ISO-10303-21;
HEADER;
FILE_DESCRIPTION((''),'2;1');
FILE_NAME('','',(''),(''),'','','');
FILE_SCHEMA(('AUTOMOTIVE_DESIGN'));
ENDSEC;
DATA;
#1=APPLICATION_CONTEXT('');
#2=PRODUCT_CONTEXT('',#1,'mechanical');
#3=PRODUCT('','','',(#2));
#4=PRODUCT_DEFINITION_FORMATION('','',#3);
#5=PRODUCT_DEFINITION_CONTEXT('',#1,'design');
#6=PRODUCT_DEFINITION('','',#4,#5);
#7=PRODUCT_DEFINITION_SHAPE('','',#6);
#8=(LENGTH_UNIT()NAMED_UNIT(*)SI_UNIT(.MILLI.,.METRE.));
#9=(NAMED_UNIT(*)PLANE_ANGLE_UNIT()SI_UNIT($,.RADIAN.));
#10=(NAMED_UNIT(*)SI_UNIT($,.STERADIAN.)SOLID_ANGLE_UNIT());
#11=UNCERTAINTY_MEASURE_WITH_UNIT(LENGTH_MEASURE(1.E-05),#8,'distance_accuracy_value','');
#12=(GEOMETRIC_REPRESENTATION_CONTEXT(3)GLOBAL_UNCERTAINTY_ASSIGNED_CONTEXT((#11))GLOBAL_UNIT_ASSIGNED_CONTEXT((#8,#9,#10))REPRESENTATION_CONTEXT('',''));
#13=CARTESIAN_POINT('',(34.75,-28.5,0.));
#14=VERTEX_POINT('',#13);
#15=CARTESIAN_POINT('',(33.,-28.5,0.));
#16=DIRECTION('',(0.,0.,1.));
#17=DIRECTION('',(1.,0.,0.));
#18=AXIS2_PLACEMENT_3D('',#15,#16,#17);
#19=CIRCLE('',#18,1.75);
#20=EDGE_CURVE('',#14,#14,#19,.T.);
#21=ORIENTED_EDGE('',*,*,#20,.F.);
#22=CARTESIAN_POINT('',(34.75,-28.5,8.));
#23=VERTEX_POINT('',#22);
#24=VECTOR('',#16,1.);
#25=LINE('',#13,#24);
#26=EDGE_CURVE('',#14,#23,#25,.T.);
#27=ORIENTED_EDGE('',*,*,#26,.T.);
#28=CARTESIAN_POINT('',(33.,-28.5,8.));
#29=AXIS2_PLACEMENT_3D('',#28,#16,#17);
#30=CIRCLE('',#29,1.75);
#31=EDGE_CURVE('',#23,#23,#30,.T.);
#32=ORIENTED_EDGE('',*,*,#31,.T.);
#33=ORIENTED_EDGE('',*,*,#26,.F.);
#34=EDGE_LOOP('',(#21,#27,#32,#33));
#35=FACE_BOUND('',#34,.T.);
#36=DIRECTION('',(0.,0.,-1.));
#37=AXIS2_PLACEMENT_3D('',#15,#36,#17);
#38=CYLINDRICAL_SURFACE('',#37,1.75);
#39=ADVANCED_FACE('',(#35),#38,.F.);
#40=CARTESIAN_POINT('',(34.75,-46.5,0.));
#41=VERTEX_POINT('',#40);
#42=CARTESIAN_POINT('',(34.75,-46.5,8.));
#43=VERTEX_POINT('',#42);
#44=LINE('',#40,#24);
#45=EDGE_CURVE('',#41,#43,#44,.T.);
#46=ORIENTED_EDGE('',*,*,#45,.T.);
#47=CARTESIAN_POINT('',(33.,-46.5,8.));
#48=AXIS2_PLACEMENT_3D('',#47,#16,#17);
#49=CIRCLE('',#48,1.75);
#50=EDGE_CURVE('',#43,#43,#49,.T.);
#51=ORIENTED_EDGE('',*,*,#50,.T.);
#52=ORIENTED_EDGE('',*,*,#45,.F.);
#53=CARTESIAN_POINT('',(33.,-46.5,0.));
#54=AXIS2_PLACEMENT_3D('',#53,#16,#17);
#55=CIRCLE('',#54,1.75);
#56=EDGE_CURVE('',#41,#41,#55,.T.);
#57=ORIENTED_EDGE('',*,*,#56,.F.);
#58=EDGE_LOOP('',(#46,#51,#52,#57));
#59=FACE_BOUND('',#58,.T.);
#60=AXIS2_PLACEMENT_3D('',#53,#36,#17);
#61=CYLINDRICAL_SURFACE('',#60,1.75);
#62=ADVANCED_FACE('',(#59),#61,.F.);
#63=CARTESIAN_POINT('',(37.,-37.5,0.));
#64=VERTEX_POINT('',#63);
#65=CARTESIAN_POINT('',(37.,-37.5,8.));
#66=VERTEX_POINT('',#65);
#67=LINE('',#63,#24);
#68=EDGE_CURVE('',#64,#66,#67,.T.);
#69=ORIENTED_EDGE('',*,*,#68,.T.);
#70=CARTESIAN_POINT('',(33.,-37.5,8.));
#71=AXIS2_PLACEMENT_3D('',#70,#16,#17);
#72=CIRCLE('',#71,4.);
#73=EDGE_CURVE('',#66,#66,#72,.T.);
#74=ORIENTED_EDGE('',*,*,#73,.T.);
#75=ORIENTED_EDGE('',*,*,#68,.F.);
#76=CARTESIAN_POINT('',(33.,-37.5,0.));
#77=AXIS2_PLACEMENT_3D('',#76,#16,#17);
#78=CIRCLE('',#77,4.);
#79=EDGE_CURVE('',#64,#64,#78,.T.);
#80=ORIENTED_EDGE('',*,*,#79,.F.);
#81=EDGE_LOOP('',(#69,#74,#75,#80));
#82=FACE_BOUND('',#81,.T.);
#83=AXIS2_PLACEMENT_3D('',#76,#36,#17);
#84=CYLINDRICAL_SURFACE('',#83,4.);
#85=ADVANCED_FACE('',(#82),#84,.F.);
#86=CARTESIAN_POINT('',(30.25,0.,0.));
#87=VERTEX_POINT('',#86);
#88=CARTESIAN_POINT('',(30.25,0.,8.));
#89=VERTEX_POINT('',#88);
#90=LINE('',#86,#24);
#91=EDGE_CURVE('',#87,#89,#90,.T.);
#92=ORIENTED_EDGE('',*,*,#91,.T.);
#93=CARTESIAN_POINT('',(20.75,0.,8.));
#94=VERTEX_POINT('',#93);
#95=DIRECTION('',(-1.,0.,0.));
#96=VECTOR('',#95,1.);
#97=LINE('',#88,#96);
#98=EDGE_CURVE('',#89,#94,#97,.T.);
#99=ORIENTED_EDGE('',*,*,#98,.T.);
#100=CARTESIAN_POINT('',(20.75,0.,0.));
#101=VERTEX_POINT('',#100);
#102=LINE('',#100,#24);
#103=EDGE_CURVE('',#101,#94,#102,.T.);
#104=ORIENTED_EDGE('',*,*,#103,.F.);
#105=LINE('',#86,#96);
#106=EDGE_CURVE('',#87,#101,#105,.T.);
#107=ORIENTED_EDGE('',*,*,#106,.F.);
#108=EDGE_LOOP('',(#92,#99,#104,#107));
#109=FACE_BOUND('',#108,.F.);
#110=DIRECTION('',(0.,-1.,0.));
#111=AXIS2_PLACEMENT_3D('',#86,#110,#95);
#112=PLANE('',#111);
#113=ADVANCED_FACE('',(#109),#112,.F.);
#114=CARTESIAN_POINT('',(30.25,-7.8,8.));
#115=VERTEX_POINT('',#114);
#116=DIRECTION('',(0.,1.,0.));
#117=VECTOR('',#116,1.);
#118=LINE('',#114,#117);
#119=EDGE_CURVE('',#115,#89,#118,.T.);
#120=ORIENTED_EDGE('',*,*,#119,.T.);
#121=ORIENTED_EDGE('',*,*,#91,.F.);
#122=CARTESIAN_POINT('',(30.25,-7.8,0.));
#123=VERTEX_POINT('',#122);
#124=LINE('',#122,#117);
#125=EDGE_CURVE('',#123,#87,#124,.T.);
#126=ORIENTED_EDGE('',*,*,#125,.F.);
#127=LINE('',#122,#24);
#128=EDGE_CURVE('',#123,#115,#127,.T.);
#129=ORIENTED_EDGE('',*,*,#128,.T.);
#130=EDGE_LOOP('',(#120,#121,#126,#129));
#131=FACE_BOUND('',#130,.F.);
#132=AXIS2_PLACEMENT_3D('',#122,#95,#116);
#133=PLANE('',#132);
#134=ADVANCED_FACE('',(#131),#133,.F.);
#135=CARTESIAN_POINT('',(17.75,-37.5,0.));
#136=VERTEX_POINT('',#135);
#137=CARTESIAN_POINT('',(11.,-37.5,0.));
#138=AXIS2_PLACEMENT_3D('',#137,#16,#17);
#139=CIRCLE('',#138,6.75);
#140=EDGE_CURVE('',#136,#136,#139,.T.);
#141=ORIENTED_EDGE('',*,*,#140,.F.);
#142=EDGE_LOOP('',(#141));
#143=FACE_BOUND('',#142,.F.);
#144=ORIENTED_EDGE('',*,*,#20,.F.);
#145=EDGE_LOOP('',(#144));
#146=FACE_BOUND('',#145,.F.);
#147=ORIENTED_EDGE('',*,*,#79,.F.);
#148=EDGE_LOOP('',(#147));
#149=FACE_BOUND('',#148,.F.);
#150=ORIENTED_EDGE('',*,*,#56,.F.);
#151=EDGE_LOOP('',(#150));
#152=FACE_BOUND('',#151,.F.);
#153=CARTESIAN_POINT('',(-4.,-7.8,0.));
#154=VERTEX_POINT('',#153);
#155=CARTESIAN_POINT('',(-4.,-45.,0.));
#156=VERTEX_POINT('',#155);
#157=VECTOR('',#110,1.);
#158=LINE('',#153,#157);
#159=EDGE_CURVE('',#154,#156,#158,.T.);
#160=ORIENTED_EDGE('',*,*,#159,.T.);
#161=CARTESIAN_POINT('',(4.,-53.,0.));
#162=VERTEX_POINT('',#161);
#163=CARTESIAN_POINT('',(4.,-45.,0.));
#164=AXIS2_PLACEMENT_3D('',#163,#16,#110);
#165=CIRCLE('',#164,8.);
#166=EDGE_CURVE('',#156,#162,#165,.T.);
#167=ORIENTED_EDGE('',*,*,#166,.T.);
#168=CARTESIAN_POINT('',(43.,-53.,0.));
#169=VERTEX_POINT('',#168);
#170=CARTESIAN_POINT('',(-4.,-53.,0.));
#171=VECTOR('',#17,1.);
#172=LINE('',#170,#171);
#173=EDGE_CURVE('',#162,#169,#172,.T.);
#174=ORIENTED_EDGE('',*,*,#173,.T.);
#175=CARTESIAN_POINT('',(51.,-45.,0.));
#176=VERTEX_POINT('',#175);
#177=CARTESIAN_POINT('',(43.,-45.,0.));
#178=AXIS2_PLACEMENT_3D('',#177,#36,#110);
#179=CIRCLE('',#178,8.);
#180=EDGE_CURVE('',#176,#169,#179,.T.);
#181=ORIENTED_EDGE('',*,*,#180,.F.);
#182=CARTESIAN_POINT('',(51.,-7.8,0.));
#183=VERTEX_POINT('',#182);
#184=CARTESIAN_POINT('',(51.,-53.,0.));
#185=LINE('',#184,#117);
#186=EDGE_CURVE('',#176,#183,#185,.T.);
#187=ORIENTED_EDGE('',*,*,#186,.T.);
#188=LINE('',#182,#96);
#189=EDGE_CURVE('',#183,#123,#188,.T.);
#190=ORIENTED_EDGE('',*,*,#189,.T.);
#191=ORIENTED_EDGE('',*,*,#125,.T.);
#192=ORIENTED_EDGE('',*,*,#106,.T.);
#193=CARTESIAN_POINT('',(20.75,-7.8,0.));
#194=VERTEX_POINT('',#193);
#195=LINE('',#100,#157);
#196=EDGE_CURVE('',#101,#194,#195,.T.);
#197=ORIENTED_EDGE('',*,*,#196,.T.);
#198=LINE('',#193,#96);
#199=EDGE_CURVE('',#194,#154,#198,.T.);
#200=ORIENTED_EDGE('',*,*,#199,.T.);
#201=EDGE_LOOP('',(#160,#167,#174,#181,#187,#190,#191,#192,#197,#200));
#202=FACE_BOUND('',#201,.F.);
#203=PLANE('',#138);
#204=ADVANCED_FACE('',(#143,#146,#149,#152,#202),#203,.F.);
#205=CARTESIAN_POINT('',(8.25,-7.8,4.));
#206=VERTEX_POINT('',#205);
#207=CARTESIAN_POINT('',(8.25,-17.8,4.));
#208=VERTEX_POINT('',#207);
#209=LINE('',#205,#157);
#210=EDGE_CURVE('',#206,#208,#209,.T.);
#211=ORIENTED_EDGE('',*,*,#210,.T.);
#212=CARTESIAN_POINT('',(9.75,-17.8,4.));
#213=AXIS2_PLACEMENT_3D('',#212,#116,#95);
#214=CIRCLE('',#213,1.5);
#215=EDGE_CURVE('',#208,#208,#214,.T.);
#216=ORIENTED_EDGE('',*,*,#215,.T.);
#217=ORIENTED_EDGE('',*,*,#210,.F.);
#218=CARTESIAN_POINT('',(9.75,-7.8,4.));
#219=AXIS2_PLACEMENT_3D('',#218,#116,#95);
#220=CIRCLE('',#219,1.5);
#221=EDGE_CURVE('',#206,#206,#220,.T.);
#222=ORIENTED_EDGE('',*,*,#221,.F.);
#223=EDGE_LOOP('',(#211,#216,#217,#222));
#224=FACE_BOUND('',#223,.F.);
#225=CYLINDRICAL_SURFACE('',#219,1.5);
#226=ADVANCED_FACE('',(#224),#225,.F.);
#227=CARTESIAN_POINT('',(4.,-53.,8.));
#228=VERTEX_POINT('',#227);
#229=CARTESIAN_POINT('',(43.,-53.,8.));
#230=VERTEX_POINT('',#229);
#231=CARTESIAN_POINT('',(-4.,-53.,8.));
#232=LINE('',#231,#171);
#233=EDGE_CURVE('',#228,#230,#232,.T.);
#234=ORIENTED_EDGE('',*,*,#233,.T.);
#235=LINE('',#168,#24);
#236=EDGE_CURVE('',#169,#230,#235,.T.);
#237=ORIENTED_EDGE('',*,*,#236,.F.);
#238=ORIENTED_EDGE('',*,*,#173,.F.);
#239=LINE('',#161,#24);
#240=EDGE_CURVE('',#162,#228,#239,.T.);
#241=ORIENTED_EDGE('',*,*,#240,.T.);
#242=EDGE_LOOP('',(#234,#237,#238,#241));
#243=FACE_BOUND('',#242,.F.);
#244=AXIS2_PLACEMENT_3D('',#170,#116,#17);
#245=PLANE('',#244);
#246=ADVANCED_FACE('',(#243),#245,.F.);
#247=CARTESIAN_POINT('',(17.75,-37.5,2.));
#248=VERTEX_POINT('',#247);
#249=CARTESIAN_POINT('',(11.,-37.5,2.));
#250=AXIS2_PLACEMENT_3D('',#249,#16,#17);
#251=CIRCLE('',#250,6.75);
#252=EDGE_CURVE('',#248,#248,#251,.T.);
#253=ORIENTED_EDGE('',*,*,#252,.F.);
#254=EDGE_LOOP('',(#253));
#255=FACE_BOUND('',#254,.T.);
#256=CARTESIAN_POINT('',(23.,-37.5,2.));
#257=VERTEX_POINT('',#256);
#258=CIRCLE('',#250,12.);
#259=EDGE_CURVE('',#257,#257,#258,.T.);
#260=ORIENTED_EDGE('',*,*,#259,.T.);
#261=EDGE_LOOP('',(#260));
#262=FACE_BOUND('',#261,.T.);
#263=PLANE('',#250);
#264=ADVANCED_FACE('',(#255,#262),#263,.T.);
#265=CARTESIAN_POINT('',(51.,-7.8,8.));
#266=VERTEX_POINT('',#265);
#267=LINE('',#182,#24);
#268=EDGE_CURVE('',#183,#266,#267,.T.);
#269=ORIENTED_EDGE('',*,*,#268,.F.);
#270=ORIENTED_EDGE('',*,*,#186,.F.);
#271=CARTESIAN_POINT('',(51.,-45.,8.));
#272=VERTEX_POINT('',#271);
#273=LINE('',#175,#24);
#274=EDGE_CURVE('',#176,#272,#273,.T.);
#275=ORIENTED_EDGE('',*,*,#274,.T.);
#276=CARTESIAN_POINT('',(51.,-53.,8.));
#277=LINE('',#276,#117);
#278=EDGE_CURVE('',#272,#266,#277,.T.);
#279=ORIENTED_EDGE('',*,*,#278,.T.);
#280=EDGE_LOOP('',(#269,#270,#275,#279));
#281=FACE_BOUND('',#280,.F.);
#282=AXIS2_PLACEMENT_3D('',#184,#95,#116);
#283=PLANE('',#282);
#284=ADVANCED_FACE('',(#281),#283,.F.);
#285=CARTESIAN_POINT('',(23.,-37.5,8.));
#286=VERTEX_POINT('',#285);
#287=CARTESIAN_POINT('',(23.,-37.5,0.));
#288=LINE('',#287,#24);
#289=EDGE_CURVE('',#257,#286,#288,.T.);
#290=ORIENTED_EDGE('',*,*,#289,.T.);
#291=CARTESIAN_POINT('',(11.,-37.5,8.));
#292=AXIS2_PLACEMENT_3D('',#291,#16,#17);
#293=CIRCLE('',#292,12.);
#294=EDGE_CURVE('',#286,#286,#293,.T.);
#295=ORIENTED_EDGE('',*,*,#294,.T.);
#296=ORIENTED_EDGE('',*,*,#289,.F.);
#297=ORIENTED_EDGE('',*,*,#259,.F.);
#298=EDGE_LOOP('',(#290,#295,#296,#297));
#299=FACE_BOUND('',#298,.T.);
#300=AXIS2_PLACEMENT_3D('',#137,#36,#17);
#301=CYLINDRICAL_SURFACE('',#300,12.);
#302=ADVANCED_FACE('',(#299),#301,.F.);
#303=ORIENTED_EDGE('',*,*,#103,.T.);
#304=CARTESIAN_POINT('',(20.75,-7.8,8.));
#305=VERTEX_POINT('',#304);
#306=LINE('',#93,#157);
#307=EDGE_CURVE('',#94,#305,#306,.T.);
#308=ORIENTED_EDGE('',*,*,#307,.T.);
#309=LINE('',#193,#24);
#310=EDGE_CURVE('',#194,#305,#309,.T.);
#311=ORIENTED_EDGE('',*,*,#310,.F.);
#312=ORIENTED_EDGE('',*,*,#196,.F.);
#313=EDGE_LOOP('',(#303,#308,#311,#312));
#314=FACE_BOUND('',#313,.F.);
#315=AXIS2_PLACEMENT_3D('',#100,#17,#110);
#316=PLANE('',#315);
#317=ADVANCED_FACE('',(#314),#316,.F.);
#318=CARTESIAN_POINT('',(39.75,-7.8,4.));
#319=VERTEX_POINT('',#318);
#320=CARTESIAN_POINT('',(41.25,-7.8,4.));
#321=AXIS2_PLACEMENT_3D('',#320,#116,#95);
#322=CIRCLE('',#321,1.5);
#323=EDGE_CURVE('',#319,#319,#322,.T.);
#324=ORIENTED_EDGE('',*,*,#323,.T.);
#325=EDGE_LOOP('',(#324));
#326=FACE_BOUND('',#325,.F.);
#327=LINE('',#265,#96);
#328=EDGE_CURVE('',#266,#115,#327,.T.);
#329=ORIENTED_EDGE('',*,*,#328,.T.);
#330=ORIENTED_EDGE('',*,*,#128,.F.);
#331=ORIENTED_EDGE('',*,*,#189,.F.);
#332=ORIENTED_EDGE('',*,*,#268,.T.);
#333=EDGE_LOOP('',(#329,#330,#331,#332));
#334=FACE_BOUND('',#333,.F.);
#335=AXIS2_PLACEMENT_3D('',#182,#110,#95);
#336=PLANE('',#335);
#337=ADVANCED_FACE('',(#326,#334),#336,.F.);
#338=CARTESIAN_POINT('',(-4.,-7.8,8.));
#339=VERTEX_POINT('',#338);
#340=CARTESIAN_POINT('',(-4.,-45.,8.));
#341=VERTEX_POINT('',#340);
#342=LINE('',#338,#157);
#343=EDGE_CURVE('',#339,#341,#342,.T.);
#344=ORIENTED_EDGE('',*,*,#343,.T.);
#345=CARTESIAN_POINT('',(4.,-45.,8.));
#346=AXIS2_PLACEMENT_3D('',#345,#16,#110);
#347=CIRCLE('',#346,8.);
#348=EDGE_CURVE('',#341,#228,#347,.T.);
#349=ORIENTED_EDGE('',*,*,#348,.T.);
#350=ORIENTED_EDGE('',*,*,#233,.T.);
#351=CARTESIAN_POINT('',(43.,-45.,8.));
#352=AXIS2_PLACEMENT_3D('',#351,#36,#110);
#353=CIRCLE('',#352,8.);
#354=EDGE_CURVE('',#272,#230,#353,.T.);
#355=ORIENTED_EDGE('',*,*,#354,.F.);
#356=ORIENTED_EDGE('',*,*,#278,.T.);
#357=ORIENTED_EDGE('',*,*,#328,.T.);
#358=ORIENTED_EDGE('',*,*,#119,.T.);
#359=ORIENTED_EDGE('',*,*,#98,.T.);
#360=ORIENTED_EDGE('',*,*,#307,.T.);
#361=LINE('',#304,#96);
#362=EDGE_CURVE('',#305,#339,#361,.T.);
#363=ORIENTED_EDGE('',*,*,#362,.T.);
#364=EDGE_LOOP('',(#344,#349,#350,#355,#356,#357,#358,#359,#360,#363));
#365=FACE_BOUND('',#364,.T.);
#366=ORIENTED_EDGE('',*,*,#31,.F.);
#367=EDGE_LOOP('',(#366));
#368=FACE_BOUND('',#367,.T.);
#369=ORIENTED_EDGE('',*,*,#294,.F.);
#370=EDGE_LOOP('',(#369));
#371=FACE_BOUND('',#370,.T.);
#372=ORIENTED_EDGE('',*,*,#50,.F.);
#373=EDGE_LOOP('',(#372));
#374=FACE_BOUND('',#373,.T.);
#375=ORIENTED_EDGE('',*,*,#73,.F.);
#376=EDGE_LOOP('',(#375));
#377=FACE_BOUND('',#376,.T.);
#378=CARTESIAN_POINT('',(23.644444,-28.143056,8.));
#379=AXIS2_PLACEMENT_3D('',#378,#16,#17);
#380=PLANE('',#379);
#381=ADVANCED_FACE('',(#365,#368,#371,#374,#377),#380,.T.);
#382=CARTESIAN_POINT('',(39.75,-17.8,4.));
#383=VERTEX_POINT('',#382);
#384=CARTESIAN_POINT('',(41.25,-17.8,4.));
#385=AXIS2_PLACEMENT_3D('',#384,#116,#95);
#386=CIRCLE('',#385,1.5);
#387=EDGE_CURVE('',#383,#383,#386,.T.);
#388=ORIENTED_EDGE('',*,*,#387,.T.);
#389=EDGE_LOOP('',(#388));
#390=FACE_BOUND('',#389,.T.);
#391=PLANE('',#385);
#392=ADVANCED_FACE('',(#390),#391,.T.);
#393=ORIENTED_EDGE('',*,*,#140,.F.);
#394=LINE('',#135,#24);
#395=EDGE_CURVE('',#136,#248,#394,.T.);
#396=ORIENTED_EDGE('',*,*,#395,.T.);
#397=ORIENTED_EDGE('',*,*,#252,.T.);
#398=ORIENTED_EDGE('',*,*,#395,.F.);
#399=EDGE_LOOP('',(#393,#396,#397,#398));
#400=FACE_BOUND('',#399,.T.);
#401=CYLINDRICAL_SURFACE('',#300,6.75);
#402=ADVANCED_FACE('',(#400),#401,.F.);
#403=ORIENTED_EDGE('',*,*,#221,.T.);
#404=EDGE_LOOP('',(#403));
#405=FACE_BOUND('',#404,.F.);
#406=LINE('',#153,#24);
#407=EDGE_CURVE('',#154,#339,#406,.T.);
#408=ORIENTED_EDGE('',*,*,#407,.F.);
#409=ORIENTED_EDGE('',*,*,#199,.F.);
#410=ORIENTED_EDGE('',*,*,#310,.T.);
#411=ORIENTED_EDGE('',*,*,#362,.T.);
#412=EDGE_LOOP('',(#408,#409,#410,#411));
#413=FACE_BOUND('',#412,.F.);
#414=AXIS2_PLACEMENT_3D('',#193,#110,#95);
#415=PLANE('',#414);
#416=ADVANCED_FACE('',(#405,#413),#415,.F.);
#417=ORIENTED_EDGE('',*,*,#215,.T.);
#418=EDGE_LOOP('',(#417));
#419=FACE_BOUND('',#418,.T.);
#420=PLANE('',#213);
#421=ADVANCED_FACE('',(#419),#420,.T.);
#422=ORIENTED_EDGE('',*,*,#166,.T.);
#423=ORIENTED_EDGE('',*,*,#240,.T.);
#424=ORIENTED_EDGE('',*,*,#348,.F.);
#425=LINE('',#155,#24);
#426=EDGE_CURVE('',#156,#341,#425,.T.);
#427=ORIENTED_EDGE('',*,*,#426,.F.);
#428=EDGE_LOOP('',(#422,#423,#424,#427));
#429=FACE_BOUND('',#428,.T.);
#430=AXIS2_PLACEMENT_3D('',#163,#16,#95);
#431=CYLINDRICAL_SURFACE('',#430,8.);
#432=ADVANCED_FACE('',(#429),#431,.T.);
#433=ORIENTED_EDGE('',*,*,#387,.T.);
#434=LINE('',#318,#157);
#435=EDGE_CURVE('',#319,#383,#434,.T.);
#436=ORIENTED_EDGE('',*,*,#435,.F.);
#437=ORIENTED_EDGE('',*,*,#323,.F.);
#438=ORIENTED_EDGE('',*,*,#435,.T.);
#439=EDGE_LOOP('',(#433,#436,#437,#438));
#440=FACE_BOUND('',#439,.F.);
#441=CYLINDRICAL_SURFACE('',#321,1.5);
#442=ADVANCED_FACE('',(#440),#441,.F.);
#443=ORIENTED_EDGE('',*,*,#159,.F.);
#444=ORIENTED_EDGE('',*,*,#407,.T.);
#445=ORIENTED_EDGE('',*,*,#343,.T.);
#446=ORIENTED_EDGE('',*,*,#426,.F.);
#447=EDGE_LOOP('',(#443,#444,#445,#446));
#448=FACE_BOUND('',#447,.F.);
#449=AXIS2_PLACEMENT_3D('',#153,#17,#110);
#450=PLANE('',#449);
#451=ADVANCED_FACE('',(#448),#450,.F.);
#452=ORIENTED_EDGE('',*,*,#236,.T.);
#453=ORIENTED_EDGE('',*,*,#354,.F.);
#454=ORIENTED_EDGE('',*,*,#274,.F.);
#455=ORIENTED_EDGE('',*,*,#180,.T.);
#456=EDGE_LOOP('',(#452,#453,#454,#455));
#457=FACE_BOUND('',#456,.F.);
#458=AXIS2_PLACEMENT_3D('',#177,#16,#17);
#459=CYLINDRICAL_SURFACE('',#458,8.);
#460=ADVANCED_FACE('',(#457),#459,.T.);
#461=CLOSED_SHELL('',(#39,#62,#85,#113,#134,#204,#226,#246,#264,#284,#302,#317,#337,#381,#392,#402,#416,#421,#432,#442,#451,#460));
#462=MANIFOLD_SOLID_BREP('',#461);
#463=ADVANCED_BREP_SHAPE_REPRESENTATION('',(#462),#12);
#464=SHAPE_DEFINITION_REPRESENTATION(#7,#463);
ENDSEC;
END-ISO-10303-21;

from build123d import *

# Parameters (mm, degrees)
F0_R     = 12
F0_R_2   = 1.75
F0_R_3   = 4
F1_DEPTH = 8
F0_R_4   = 6.75
F2_DEPTH = 2
F3_R     = 8
F4_R     = 1.5
F5_DEPTH = 10


with BuildPart() as f1:
    # F0 (on Top) → F1 (new body)
    with BuildSketch(Plane.XY):
        Polygon((30.25, 0), (20.75, 0), (20.75, -7.8), (0, -7.8), (-4, -7.8), (-4, -53), (0, -53), (51, -53), (51, -7.8), (30.25, -7.8), align=None)
        with Locations((11, -37.5)):
            Circle(F0_R, mode=Mode.SUBTRACT)
        with Locations((33, -46.5)):
            Circle(F0_R_2, mode=Mode.SUBTRACT)
        with Locations((33, -37.5)):
            Circle(F0_R_3, mode=Mode.SUBTRACT)
        with Locations((33, -28.5)):
            Circle(F0_R_2, mode=Mode.SUBTRACT)
    extrude(amount=F1_DEPTH)

    # F0 (on Top) → F2 (join)
    with BuildSketch(Plane.XY):
        with Locations((11, -37.5)):
            Circle(F0_R)
        with Locations((11, -37.5)):
            Circle(F0_R_4, mode=Mode.SUBTRACT)
    extrude(amount=F2_DEPTH)

    # F3
    f3_edges = [f1.edges().sort_by_distance(p)[0] for p in [
        (-4, -53, 4),
        (51, -53, 4),
    ]]
    fillet(f3_edges, radius=F3_R)

    # F4 (on face) → F5 (cut)
    with BuildSketch(Plane(origin=(0, -7.8, 0), x_dir=(-1, 0, 0), z_dir=(0, 1, 0))):
        with Locations((-41.25, 4)):
            Circle(F4_R)
        with Locations((-9.75, 4)):
            Circle(F4_R)
    extrude(amount=-F5_DEPTH, mode=Mode.SUBTRACT)


solid = f1.part
